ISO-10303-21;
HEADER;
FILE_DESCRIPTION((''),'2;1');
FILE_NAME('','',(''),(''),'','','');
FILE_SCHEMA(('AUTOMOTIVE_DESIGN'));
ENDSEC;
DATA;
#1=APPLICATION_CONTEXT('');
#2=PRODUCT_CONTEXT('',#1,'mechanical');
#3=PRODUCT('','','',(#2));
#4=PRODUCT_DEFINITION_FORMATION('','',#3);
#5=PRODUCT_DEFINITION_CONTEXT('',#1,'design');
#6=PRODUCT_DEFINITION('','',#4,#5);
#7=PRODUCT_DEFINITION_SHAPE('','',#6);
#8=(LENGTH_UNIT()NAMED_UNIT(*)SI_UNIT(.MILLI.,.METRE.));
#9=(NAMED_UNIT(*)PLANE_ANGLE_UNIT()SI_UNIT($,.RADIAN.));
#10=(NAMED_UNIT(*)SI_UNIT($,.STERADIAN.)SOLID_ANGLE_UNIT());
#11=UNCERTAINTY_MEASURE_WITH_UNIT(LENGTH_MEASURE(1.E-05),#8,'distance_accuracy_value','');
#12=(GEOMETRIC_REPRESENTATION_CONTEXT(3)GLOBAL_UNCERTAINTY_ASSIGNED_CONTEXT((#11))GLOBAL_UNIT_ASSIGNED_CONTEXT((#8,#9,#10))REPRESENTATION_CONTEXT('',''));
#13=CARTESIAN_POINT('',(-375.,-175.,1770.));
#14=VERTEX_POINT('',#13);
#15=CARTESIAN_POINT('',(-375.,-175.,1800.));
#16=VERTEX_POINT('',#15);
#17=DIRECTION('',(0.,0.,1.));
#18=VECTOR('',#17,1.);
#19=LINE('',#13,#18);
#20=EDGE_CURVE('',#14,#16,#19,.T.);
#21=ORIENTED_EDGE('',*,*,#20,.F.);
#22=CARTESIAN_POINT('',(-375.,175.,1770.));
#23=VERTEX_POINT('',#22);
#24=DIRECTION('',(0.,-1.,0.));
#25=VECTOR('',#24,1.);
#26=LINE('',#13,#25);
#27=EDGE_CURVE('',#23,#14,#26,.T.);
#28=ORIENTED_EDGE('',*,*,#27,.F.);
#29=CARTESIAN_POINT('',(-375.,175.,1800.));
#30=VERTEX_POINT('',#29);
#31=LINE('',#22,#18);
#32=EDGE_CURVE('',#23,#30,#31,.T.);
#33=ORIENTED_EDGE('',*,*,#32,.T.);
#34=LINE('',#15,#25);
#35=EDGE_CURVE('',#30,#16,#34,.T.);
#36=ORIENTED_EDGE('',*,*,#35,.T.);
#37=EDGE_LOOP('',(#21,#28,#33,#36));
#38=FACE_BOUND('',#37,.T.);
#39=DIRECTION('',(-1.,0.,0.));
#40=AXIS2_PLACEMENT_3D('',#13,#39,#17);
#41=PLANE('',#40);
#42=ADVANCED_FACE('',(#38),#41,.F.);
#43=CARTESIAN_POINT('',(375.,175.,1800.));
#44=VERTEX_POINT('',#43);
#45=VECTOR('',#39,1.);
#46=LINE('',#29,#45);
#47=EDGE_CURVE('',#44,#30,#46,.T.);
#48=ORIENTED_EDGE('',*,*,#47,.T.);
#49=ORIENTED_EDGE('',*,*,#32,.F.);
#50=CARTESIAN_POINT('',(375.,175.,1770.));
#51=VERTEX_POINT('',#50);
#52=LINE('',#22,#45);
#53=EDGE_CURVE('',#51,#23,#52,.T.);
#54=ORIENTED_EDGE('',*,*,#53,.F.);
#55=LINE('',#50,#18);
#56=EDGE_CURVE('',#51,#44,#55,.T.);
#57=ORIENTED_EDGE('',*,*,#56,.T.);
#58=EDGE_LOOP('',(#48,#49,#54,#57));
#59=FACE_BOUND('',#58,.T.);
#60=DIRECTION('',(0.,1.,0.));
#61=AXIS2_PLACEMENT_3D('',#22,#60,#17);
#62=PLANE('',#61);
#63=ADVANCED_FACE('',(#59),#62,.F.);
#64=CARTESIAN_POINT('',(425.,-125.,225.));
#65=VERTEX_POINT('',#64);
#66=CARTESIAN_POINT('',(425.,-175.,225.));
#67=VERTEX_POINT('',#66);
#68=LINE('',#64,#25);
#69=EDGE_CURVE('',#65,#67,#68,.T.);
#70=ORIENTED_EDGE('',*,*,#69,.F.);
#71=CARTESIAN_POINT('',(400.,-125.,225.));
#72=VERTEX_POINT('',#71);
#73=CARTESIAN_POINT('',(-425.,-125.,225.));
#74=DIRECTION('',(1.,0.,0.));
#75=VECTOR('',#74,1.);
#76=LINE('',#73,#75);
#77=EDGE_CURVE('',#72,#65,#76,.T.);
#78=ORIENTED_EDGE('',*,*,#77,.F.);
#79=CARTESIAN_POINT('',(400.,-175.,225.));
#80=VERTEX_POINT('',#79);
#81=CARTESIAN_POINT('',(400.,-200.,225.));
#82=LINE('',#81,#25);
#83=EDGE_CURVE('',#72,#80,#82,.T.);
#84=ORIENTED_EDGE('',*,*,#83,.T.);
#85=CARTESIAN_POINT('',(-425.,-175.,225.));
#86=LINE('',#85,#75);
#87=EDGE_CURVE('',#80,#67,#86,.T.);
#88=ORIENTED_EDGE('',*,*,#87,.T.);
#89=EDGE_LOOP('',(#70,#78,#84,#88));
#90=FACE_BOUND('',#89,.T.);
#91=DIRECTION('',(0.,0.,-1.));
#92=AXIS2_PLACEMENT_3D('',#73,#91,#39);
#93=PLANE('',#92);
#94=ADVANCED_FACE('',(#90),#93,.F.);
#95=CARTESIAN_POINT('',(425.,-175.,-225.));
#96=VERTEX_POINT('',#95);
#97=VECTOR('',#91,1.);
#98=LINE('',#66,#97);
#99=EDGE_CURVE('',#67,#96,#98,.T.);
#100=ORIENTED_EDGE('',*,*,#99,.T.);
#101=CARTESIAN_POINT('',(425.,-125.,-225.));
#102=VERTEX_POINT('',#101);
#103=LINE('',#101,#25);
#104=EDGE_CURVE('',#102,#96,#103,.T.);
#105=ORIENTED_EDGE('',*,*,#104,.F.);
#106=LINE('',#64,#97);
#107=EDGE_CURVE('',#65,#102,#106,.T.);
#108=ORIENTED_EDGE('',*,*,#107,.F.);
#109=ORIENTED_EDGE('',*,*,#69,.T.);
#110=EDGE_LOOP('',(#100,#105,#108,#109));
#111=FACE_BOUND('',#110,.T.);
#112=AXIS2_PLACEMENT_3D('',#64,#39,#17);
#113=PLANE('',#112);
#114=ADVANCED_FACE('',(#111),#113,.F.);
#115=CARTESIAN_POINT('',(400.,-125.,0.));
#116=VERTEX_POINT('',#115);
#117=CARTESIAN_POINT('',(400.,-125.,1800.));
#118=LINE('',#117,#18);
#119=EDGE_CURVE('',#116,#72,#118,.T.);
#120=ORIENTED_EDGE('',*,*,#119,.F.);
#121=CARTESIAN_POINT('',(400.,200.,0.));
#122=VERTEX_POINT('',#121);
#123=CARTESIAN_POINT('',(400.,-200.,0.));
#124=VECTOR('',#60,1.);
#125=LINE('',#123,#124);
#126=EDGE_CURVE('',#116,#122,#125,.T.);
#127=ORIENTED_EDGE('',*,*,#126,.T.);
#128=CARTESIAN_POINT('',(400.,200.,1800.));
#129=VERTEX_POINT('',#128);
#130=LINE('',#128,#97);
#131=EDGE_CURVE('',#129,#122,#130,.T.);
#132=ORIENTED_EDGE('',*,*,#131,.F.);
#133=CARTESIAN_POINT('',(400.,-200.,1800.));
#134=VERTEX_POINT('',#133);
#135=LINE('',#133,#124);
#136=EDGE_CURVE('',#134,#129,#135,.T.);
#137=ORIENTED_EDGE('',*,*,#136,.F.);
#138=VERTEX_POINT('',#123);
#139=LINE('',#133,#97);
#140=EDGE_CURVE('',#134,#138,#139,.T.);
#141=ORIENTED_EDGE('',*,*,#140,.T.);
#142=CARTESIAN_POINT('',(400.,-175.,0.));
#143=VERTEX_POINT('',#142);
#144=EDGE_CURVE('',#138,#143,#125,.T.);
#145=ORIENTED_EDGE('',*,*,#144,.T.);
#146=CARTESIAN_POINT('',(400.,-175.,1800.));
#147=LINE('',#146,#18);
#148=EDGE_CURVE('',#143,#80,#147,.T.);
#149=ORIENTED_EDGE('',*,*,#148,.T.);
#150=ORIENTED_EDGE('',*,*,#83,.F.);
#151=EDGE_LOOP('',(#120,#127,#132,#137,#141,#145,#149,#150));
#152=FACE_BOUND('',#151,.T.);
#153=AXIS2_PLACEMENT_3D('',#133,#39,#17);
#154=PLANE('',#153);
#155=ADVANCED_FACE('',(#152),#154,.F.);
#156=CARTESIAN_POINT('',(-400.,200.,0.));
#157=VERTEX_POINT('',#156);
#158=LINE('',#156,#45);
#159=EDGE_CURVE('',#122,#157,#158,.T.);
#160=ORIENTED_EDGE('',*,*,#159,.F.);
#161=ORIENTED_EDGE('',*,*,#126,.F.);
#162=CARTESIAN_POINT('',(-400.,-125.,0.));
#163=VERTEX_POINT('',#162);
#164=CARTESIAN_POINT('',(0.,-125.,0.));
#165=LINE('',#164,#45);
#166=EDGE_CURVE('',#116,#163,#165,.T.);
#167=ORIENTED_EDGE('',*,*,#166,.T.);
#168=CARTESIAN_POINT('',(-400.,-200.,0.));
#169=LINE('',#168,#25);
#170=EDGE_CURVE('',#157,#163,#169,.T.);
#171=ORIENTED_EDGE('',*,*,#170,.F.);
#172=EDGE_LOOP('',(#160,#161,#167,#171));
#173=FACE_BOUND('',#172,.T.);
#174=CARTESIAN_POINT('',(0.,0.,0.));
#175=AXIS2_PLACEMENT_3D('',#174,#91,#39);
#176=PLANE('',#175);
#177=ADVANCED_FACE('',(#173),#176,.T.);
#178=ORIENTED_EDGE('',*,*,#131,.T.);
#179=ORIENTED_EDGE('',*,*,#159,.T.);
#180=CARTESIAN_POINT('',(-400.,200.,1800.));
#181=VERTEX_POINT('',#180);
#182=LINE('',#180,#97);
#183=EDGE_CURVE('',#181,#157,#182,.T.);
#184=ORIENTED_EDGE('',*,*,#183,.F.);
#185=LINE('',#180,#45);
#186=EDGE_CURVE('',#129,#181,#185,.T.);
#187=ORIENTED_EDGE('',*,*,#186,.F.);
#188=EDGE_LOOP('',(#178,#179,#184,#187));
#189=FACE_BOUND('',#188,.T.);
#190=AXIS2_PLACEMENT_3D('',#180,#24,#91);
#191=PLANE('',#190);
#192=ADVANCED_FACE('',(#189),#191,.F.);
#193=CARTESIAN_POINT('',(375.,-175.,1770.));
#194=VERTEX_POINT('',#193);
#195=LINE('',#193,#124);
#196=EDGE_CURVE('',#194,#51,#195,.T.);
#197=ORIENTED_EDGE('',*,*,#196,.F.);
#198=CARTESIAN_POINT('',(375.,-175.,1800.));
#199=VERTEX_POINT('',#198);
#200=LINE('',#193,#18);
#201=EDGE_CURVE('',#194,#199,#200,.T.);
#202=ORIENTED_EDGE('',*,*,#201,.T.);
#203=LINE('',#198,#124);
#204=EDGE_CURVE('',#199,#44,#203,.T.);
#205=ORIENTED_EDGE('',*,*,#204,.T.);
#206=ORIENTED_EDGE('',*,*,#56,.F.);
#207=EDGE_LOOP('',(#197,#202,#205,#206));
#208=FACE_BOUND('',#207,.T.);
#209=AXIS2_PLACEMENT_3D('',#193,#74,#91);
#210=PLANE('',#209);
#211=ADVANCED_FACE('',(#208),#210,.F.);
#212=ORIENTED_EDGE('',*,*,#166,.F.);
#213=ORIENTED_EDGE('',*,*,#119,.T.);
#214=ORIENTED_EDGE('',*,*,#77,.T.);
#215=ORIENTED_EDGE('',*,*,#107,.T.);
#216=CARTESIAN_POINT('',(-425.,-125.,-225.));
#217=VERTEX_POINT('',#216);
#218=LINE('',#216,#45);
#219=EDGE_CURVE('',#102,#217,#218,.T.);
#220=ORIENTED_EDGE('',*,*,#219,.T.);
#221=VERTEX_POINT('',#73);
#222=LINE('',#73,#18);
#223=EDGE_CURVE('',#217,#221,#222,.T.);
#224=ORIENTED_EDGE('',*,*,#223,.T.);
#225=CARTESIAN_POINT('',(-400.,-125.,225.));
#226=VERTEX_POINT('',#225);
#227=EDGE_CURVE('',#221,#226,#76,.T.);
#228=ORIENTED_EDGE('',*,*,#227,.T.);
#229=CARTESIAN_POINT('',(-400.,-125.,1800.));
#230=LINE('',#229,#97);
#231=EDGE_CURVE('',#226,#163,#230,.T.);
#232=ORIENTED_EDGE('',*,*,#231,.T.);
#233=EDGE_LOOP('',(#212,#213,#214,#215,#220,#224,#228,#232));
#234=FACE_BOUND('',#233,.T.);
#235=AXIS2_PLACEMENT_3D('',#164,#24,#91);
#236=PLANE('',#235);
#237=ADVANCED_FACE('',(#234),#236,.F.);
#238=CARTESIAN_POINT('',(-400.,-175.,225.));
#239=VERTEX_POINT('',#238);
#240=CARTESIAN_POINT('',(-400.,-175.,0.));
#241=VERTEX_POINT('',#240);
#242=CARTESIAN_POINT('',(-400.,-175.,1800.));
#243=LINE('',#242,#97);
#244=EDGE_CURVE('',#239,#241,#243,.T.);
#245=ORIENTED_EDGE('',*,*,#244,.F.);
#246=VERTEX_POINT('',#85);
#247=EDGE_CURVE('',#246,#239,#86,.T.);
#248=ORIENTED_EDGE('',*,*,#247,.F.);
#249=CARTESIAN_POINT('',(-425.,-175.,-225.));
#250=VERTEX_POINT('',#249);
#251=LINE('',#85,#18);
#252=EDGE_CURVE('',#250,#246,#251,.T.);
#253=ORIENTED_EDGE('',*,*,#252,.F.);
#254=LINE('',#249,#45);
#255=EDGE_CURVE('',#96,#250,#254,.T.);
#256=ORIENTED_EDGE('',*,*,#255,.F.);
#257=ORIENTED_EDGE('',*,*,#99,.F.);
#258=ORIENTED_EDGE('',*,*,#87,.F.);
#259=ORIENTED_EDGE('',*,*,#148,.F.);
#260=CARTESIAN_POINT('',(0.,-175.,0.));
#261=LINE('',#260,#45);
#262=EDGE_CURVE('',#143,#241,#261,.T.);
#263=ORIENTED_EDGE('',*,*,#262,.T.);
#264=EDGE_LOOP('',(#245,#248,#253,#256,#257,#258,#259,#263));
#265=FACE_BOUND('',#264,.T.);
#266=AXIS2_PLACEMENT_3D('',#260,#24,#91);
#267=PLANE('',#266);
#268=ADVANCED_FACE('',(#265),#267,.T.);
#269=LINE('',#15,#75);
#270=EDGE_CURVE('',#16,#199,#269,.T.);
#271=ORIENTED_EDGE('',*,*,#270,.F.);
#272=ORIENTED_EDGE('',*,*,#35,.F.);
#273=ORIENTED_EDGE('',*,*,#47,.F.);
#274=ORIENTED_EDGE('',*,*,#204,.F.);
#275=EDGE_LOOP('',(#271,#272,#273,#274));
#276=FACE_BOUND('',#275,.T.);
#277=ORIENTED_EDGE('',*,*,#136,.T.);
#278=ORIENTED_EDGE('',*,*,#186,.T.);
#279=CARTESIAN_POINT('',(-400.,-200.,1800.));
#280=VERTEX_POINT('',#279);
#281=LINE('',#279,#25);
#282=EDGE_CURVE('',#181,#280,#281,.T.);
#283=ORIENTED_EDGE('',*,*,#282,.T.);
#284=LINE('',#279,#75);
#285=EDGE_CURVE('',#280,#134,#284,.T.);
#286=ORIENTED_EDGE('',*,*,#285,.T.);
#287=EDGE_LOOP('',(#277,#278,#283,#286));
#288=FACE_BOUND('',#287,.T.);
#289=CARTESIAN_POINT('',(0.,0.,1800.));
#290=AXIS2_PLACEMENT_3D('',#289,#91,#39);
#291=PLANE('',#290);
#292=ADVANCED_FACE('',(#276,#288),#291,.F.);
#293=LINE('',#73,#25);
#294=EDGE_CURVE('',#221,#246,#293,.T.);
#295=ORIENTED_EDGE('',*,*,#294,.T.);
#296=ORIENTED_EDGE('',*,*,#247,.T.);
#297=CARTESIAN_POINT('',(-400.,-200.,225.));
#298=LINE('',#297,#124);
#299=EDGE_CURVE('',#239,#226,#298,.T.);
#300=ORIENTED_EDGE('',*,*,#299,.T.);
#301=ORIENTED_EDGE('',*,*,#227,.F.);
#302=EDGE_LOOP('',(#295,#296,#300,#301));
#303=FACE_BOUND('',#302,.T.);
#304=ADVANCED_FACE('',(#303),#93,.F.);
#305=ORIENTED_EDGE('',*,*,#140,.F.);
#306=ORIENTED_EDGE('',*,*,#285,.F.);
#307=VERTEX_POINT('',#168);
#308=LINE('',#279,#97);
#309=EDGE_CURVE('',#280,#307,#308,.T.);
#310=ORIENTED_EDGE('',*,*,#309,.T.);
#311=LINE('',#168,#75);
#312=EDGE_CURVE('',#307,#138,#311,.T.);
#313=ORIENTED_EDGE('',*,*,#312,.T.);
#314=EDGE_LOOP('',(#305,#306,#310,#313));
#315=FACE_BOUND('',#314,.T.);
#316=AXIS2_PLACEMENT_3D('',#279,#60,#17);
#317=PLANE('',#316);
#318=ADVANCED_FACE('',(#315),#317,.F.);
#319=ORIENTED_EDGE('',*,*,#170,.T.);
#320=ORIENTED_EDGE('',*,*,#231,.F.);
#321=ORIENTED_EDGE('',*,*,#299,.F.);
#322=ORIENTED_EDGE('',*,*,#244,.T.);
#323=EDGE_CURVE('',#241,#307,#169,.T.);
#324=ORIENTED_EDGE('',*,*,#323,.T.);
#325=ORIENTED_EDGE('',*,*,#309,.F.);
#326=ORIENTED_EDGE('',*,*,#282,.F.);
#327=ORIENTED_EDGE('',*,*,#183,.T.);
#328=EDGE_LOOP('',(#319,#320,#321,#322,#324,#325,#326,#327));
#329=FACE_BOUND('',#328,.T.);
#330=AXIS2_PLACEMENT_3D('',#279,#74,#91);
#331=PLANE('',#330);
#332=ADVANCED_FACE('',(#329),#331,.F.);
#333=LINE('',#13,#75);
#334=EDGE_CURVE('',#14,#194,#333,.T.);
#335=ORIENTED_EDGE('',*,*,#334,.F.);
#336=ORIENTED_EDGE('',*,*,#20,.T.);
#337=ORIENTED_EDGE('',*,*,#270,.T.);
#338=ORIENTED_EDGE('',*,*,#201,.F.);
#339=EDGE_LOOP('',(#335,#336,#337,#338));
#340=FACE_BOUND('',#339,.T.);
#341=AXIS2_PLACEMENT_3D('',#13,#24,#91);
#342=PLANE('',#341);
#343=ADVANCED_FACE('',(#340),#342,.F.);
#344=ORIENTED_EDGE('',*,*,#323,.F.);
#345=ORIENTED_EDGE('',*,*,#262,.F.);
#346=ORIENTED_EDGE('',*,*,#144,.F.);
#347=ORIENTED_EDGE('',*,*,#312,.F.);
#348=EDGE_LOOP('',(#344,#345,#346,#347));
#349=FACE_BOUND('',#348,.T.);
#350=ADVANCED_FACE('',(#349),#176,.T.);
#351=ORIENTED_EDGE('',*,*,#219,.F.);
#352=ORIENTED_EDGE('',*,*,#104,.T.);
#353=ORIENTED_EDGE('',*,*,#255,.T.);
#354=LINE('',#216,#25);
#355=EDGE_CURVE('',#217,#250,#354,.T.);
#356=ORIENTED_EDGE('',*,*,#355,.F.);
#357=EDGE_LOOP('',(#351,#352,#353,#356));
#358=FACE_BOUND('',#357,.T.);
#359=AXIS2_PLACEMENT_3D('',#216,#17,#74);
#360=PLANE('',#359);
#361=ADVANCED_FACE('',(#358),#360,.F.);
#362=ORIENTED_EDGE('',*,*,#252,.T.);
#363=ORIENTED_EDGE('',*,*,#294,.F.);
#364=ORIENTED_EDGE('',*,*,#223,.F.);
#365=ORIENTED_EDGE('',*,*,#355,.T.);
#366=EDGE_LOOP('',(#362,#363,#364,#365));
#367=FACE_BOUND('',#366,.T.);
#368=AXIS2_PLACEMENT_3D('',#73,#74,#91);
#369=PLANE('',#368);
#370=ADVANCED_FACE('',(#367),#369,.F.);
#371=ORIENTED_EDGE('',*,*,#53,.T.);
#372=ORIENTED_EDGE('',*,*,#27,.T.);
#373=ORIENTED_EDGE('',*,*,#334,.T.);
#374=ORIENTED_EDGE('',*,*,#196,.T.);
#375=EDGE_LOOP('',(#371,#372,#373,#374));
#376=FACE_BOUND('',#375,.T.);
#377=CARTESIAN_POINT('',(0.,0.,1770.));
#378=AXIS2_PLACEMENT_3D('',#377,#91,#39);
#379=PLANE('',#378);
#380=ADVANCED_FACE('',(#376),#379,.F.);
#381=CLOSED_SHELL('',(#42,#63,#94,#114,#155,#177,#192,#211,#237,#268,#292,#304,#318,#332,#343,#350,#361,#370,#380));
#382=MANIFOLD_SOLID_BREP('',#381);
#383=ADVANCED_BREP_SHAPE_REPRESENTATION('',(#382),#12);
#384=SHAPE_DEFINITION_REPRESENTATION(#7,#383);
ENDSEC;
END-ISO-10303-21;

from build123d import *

# Parameters (mm, degrees)
SKETCH_1_W          = 800
SKETCH_1_H          = 400
EXTRUDE_1_DEPTH     = 1800
SKETCH_2_W          = 750
SKETCH_2_H          = 350
CUT_EXTRUDE_1_DEPTH = 30
SKETCH_3_W          = 750
SKETCH_3_H          = 20
EXTRUDE_2_DEPTH     = 800
SKETCH_4_R          = 20
EXTRUDE_3_DEPTH     = 50
SKETCH_5_W          = 850
SKETCH_5_H          = 450
EXTRUDE_4_DEPTH     = 50


with BuildPart() as part:
    # 草图1 → 凸台-拉伸1 (new body)
    with BuildSketch(Plane.XY):
        Rectangle(SKETCH_1_W, SKETCH_1_H)
    extrude(amount=EXTRUDE_1_DEPTH)

    # 草图2 → 切除-拉伸1 (cut)
    with BuildSketch(Plane.XY.offset(1800)):
        Rectangle(SKETCH_2_W, SKETCH_2_H)
    extrude(amount=-CUT_EXTRUDE_1_DEPTH, mode=Mode.SUBTRACT)

    # 草图3 → 凸台-拉伸2 (add)
    with BuildSketch(Plane.XY):
        with Locations((0, -180)):
            Rectangle(SKETCH_3_W, SKETCH_3_H)
    extrude(amount=EXTRUDE_2_DEPTH)

    # 草图4 → 凸台-拉伸3 (add)
    with BuildSketch(Plane.XY):
        with Locations((300, -180)):
            Circle(SKETCH_4_R)
    extrude(amount=EXTRUDE_3_DEPTH)

    # 草图5 → 凸台-拉伸4 (add)
    with BuildSketch(Plane(origin=(0, -175, 0), x_dir=(1, 0, 0), z_dir=(0, 1, 0))):
        Rectangle(SKETCH_5_W, SKETCH_5_H)
    extrude(amount=EXTRUDE_4_DEPTH)


solid = part.part
